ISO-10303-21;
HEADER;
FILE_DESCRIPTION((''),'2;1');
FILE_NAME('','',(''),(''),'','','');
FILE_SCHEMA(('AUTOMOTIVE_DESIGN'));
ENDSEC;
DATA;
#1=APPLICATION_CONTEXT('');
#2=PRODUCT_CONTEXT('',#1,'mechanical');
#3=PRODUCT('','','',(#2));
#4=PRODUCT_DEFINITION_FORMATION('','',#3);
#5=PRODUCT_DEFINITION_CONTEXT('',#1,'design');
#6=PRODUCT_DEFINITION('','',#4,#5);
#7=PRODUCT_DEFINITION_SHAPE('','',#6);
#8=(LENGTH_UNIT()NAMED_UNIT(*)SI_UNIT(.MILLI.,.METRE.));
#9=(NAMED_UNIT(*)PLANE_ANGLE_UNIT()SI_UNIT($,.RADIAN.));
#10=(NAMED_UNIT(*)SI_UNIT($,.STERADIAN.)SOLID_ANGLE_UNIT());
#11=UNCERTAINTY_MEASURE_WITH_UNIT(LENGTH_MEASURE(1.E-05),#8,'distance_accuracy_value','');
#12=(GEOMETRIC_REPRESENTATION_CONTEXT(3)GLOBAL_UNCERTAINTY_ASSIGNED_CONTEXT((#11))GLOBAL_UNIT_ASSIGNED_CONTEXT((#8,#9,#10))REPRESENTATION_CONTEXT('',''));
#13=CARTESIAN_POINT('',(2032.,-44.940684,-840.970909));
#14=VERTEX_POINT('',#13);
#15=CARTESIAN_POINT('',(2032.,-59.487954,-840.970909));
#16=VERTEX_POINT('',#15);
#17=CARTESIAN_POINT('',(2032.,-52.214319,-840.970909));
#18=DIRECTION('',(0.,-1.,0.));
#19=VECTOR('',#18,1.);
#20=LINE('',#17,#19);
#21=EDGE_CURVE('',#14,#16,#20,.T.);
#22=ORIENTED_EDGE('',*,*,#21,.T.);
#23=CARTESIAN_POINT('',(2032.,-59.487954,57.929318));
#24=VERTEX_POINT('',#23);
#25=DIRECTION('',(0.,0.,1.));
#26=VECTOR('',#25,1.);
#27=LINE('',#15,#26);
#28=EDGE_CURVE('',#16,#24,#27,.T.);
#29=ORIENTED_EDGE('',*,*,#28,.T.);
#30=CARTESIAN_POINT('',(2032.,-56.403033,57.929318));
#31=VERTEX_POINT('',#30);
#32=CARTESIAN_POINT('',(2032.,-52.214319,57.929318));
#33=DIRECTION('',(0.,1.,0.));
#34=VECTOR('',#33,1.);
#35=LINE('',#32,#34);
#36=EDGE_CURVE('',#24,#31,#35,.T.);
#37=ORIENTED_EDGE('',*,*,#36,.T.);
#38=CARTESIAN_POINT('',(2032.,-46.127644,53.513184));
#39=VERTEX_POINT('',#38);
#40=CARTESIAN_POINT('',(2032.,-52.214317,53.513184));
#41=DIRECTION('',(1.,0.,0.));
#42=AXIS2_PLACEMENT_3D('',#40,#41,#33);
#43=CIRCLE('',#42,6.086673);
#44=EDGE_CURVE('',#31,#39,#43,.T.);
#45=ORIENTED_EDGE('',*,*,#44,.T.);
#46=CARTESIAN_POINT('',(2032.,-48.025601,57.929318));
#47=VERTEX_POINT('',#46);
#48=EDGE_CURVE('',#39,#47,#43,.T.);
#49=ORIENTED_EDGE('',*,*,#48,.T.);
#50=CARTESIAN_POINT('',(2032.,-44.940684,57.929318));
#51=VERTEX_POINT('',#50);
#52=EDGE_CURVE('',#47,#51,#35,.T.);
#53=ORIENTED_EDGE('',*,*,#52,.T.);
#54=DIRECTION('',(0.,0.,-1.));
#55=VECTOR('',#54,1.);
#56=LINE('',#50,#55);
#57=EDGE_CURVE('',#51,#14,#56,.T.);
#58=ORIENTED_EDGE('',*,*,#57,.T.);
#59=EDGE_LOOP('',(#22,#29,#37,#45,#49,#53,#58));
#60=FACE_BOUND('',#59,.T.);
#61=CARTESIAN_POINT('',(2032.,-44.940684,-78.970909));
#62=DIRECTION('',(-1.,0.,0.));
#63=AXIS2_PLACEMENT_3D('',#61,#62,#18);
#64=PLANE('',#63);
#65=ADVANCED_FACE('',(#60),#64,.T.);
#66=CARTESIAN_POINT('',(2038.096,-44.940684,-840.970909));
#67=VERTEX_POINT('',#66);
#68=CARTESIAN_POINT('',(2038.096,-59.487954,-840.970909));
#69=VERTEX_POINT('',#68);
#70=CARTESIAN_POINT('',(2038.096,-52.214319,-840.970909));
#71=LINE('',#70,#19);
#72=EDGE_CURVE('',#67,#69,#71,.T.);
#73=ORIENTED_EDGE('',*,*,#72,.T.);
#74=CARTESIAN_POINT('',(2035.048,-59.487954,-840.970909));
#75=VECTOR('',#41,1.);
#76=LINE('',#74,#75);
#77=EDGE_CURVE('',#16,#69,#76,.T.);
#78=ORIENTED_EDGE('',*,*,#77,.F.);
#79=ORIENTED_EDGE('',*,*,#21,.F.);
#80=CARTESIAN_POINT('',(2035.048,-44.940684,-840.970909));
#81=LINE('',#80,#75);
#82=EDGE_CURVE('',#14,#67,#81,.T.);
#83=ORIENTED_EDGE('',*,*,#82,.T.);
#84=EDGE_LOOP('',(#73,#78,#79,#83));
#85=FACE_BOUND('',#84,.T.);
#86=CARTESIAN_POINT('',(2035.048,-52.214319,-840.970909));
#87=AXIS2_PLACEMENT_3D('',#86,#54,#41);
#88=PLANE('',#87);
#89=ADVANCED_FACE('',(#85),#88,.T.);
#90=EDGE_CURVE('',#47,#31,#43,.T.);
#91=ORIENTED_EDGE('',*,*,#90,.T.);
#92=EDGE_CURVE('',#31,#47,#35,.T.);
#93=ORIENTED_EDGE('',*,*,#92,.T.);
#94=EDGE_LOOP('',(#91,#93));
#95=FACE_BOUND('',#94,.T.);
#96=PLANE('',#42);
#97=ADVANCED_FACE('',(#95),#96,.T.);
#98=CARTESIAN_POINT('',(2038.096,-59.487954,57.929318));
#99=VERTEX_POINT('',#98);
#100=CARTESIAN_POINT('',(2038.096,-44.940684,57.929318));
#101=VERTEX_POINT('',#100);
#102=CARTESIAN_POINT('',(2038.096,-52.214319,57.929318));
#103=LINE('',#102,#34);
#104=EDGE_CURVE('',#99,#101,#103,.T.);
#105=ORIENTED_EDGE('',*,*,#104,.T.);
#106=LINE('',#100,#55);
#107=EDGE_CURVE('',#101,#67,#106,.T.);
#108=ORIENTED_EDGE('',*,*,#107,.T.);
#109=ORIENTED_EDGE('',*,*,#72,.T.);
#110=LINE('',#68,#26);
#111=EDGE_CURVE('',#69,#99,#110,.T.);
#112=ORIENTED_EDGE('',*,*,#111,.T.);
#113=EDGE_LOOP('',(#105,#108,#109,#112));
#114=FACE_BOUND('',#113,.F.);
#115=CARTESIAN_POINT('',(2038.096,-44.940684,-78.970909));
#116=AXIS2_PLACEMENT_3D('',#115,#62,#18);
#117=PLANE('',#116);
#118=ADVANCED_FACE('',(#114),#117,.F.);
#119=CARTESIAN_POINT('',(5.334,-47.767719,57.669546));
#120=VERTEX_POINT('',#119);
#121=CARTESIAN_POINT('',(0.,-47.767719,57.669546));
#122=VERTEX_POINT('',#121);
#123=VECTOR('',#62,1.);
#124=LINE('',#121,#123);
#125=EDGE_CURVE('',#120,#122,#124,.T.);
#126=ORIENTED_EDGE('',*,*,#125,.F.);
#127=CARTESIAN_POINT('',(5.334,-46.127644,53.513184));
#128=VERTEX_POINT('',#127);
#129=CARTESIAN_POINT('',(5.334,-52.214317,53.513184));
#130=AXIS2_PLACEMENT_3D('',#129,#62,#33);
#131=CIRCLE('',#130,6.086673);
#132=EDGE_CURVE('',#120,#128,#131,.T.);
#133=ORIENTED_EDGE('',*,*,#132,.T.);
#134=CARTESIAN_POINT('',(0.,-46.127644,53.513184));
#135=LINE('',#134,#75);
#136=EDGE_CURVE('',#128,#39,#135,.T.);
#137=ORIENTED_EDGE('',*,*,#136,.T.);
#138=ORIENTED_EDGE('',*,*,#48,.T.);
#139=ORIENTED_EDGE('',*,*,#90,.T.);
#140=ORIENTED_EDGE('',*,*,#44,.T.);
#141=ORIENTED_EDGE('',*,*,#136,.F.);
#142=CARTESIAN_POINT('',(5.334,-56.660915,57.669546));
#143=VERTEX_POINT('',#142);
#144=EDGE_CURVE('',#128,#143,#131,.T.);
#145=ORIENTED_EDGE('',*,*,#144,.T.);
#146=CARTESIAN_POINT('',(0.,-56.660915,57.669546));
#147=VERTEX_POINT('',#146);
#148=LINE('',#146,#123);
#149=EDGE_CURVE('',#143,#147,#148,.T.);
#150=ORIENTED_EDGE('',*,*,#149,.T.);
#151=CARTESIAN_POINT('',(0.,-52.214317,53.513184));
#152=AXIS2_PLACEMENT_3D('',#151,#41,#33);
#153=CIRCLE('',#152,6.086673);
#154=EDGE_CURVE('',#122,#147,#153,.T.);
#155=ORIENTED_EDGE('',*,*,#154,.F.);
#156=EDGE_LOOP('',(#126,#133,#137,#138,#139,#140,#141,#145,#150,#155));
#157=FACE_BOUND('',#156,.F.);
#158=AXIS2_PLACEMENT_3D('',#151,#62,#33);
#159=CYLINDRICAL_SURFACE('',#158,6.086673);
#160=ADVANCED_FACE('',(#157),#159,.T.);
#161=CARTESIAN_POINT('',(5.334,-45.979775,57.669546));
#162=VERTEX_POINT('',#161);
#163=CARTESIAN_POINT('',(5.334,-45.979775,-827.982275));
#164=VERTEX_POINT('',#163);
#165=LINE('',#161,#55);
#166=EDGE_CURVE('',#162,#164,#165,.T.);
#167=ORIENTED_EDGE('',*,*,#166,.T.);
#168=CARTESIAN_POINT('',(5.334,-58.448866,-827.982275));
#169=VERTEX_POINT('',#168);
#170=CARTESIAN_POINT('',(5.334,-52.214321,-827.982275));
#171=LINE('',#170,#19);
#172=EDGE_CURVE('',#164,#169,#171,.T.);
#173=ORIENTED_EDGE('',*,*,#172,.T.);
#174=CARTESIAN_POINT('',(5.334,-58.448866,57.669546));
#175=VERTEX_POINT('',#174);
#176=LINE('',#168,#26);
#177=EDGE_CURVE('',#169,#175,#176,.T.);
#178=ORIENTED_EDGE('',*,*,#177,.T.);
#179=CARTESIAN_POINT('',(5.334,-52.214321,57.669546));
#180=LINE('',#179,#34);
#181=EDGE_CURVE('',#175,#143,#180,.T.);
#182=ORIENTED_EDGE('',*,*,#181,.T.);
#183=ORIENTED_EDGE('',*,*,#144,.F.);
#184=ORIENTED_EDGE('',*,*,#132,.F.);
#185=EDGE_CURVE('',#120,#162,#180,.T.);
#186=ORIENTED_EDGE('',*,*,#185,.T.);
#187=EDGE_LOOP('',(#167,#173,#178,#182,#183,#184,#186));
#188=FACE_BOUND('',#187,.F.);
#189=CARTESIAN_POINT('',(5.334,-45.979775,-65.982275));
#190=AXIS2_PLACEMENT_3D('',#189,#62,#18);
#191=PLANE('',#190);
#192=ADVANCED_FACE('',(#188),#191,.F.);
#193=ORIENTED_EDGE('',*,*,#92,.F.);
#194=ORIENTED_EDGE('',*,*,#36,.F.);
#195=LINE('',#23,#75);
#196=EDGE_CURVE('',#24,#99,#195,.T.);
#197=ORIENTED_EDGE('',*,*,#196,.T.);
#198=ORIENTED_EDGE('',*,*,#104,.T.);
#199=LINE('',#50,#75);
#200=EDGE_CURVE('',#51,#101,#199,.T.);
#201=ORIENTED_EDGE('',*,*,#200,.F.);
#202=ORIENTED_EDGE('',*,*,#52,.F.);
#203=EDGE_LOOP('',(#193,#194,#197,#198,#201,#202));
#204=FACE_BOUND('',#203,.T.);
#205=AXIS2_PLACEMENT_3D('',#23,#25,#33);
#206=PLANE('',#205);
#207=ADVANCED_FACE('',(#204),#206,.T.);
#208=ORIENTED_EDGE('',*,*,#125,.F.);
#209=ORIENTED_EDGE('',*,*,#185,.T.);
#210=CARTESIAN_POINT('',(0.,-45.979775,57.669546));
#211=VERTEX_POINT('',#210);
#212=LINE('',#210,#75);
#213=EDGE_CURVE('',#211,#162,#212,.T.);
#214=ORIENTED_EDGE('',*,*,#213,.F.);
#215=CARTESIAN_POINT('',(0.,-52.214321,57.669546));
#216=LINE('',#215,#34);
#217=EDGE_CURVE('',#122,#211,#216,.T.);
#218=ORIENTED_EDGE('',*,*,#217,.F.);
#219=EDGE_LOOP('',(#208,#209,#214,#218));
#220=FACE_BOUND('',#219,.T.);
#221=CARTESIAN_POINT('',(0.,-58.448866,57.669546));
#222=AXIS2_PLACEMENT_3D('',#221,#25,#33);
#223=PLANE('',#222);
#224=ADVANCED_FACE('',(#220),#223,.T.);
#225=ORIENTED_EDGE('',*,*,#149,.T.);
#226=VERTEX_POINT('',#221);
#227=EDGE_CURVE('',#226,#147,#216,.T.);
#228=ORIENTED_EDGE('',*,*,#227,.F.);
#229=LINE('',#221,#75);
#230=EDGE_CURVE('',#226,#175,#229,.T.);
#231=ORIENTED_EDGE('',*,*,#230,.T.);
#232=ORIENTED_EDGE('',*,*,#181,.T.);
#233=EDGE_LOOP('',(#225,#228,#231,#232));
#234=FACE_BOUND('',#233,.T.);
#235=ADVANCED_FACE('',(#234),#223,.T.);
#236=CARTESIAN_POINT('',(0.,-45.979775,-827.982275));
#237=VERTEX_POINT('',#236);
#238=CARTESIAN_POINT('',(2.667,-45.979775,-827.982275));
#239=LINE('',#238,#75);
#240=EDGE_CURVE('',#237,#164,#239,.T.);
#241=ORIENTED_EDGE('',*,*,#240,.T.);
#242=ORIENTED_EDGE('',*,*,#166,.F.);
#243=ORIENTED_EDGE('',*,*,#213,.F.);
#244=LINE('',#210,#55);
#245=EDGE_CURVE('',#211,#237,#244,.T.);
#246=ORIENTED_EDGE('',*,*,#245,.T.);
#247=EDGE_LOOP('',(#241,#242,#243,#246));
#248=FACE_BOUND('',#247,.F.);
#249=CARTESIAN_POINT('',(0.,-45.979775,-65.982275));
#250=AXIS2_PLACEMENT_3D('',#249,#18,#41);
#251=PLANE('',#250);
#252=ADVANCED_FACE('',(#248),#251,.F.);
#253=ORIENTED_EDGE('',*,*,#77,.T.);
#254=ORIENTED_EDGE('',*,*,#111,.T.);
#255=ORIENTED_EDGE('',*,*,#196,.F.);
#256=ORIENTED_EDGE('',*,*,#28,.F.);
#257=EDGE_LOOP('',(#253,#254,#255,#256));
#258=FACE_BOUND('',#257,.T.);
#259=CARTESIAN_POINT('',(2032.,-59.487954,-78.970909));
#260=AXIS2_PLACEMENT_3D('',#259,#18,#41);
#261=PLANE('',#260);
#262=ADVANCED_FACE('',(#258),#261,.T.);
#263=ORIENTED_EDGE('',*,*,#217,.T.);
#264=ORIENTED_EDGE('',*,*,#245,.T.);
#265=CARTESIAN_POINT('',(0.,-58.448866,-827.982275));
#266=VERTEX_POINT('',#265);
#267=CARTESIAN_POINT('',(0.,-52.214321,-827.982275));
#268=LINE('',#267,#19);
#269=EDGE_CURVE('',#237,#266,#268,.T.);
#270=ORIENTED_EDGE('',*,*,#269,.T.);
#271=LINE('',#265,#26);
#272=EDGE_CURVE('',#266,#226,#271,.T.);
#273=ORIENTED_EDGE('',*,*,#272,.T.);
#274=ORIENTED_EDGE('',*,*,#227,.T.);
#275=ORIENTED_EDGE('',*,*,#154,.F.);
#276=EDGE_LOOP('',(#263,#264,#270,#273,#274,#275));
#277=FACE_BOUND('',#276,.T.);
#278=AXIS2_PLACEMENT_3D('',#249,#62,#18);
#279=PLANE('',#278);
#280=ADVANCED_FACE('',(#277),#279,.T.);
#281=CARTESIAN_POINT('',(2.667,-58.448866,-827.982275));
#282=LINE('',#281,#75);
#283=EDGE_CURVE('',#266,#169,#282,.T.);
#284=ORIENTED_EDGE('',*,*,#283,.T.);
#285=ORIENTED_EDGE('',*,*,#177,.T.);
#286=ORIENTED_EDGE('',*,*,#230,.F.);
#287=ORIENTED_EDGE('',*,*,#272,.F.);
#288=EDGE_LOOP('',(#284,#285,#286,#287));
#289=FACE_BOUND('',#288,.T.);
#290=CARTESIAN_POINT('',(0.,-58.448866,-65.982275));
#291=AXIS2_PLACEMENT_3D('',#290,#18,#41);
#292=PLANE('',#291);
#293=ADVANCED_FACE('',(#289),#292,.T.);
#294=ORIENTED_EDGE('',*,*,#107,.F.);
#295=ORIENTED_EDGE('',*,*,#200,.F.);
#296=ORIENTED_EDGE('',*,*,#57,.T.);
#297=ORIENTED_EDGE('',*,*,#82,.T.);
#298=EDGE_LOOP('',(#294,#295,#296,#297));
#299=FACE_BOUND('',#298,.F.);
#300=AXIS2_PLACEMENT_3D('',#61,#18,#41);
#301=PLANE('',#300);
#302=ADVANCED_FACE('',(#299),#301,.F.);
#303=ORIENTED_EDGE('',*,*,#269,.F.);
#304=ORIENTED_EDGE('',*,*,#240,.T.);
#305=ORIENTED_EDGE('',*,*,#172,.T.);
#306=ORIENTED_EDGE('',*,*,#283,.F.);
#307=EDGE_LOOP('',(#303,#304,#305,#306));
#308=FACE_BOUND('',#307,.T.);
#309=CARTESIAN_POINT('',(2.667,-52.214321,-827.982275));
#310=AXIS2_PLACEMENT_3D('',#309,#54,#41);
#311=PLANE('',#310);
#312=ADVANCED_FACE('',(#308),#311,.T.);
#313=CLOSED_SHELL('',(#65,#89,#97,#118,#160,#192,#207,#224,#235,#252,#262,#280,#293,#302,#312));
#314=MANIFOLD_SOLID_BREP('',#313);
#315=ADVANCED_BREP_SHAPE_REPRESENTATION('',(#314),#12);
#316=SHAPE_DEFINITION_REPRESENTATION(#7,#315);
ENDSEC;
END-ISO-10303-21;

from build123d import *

# Parameters (mm, degrees)
F0_R     = 6.0866726669
F1_DEPTH = 2032
F2_W     = 12.4690905213
F2_H     = 123.6518211663
F3_DEPTH = 5.334
F4_W     = 14.5472697914
F4_H     = 136.9002275169
F5_DEPTH = 6.096
F6_W     = 6.096
F6_H     = 14.5472697914
F7_DEPTH = 762
F8_W     = 5.334
F8_H     = 12.4690905213
F9_DEPTH = 762


with BuildPart() as f1:
    # F0 (on Right) → F1 (new body)
    with BuildSketch(Plane.YZ):
        with Locations((-52.2143170238, 53.5131841898)):
            Circle(F0_R)
    extrude(amount=F1_DEPTH)

    # F2 (on Right) → F3 (join)
    with BuildSketch(Plane.YZ):
        with Locations((-52.214320749, -4.156364128)):
            Rectangle(F2_W, F2_H)
    extrude(amount=F3_DEPTH)

    # F4 (on face) → F5 (join)
    with BuildSketch(Plane.YZ.offset(2032)):
        with Locations((-52.2143188864, -10.5207953602)):
            Rectangle(F4_W, F4_H)
    extrude(amount=F5_DEPTH)

    # F6 (on face) → F7 (join)
    with BuildSketch(Plane(origin=(0, 0, -78.9709091187), x_dir=(1, 0, 0), z_dir=(0, 0, -1))):
        with Locations((2035.048, 52.2143188864)):
            Rectangle(F6_W, F6_H)
    extrude(amount=F7_DEPTH)

    # F8 (on face) → F9 (join)
    with BuildSketch(Plane(origin=(0, 0, -65.9822747111), x_dir=(1, 0, 0), z_dir=(0, 0, -1))):
        with Locations((2.667, 52.214320749)):
            Rectangle(F8_W, F8_H)
    extrude(amount=F9_DEPTH)


solid = f1.part
